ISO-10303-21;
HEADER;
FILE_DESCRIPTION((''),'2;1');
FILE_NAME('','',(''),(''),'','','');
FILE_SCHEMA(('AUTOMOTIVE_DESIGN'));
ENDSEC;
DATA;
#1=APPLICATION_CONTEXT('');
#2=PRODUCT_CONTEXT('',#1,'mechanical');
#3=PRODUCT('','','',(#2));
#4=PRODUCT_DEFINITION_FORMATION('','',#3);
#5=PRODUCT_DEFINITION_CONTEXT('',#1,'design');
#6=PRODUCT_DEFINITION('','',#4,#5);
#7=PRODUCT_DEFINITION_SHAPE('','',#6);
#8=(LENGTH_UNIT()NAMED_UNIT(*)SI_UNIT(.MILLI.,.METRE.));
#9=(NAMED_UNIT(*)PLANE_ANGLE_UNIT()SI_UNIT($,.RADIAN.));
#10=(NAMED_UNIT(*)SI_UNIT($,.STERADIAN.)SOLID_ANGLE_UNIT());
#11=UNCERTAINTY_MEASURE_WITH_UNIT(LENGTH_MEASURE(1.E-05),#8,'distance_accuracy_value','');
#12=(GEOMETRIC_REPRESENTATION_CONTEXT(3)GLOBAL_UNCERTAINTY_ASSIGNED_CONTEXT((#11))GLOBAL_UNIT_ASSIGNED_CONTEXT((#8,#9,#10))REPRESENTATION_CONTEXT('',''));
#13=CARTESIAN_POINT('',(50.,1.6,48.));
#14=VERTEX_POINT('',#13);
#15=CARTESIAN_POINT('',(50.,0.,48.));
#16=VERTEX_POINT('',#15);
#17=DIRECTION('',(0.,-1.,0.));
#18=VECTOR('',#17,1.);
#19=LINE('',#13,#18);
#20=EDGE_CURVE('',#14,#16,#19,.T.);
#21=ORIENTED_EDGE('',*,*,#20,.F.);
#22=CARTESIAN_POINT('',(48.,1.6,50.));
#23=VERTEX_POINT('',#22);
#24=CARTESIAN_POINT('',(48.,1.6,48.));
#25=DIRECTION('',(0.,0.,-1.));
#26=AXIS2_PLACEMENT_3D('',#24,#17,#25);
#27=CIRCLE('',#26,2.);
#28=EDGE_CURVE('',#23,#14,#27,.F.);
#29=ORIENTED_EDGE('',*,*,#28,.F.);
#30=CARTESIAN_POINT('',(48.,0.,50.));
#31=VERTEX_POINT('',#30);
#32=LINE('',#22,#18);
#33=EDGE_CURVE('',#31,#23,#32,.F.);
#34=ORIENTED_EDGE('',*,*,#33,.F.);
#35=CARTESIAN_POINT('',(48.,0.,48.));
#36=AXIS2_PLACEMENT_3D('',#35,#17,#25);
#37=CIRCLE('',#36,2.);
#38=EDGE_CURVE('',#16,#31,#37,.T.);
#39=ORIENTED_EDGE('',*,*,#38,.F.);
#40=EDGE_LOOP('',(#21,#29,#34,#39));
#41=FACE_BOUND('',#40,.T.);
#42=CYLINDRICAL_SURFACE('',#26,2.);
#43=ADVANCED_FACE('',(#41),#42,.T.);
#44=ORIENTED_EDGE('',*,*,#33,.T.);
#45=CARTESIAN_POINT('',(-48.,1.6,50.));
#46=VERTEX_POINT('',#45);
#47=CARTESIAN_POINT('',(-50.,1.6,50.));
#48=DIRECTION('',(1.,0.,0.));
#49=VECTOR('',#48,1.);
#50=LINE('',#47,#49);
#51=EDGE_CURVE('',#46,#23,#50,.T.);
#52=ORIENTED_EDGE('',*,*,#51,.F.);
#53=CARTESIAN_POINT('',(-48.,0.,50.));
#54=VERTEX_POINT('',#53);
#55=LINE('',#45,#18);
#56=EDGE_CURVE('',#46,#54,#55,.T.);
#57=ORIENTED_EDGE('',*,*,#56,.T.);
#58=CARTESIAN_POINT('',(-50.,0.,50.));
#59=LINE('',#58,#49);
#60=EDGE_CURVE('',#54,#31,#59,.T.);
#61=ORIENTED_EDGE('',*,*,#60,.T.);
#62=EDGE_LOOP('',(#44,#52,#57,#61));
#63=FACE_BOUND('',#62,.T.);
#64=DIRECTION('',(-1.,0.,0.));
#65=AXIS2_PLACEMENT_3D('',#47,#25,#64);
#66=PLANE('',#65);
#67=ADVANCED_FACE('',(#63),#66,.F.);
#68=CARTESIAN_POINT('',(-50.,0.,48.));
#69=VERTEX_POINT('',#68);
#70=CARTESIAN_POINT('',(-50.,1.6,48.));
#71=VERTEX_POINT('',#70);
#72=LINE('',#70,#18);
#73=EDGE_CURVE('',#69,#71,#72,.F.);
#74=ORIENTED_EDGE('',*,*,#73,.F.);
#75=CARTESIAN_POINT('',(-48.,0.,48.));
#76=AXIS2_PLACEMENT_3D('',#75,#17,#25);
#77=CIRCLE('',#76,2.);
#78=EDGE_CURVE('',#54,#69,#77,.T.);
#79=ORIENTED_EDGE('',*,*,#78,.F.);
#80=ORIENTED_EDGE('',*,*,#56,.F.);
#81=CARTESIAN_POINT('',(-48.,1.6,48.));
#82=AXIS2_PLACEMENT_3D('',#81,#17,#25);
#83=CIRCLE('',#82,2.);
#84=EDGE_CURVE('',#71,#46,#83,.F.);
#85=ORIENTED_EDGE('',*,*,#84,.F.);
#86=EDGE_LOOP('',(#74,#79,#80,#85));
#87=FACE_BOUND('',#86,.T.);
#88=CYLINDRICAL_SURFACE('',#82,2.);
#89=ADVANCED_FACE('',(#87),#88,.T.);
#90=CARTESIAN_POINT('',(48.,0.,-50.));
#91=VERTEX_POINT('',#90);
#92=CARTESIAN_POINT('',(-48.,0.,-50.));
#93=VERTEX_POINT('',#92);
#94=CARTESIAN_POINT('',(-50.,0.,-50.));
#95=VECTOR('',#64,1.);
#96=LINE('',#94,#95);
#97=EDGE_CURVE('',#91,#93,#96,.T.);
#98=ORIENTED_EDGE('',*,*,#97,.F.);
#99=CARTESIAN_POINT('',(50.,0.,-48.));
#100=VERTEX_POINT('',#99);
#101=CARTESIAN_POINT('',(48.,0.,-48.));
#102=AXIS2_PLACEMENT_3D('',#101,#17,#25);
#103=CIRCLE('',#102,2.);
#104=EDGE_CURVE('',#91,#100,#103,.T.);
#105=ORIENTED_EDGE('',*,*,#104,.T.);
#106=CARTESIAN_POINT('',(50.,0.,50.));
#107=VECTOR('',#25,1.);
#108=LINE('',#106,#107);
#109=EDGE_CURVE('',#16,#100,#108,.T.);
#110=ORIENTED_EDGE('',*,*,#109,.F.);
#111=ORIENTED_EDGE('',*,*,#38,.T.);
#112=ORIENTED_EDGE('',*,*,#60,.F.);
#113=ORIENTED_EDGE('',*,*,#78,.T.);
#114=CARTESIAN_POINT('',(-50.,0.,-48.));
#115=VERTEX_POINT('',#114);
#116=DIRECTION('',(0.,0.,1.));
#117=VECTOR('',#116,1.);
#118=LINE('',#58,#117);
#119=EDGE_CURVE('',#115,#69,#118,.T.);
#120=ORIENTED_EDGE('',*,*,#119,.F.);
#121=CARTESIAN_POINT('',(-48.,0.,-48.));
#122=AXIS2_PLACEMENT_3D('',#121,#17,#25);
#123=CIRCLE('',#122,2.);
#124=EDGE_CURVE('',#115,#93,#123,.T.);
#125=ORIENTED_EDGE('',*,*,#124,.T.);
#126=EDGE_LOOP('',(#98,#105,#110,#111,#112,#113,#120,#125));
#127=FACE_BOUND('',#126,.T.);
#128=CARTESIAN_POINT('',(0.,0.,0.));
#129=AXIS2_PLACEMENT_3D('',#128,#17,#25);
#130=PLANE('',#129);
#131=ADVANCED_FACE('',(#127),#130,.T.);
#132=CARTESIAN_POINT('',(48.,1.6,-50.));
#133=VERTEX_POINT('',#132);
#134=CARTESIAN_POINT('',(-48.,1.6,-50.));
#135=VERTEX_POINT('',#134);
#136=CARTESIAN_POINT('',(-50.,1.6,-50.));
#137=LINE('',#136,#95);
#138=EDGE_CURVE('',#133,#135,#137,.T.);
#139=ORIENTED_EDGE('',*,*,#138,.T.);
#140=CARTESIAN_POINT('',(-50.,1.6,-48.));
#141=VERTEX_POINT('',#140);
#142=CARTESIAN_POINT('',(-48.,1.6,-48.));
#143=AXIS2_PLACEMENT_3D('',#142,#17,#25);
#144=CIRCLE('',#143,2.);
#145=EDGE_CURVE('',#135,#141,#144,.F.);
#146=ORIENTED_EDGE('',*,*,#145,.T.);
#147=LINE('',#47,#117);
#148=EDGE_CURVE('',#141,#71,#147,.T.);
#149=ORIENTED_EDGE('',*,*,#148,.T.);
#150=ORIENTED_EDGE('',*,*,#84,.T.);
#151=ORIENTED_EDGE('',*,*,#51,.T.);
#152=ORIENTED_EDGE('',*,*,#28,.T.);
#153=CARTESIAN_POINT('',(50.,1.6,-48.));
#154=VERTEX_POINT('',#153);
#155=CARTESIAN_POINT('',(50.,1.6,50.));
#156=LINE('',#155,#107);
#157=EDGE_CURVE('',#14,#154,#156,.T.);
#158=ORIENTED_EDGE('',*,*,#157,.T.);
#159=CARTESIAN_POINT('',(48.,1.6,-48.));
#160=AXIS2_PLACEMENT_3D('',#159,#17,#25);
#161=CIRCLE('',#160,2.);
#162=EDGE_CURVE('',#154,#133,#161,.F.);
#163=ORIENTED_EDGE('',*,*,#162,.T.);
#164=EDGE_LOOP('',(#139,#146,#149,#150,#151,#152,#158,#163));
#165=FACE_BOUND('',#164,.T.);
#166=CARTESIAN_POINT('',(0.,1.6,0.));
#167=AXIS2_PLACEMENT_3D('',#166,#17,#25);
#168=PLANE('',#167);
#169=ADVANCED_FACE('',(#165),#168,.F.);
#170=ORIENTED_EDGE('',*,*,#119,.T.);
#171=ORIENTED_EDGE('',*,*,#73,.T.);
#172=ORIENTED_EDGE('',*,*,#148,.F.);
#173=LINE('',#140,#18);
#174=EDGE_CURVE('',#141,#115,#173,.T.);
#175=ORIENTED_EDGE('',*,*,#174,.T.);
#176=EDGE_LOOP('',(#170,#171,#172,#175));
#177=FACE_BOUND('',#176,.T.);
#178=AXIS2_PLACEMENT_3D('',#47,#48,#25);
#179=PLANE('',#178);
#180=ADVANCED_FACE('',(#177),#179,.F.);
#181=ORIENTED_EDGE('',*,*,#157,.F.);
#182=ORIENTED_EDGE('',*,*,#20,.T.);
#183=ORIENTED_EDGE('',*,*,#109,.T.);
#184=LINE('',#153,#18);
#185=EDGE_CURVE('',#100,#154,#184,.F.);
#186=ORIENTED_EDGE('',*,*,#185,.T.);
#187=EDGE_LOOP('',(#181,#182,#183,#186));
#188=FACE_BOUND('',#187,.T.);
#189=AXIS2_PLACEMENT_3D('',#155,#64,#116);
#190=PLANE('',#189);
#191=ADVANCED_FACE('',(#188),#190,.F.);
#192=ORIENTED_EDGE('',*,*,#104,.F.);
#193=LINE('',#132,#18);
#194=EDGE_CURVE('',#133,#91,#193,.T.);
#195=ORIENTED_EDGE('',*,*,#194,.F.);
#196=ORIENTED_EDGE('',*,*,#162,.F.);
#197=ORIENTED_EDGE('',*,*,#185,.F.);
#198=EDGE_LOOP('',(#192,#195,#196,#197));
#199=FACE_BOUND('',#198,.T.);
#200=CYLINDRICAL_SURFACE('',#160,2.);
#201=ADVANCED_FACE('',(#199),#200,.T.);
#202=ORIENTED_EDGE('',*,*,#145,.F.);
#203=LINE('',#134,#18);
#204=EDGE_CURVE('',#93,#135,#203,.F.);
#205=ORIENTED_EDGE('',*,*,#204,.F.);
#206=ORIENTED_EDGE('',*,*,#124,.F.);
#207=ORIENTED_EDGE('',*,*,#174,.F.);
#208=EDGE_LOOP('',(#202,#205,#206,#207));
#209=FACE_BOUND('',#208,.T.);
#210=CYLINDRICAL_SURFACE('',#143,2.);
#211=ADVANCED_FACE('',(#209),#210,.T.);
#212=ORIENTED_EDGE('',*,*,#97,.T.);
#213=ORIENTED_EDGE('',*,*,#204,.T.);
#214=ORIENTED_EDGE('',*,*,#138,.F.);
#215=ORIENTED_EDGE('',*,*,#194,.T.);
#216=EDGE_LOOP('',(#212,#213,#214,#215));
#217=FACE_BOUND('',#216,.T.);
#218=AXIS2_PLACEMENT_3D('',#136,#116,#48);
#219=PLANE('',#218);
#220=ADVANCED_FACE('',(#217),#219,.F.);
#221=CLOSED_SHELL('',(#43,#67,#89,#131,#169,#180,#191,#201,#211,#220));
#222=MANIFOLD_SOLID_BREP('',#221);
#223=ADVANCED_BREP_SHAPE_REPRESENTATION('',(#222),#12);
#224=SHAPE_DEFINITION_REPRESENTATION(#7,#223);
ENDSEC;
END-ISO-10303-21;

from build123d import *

# Parameters (mm, degrees)
SKETCH_1_W      = 100
SKETCH_1_H      = 100
EXTRUDE_1_DEPTH = 1.6
FILLET_1_R      = 2


with BuildPart() as part:
    # 草图1 → 凸台-拉伸1 (new body)
    with BuildSketch(Plane(origin=(0, 0, 0), x_dir=(1, 0, 0), z_dir=(0, 1, 0))):
        Rectangle(SKETCH_1_W, SKETCH_1_H)
    extrude(amount=EXTRUDE_1_DEPTH)

    # 圆角1
    fillet_1_edges = [part.edges().sort_by_distance(p)[0] for p in [
        (50, 0.8, 50),
        (-50, 0.8, 50),
        (-50, 0.8, -50),
        (50, 0.8, -50),
    ]]
    fillet(fillet_1_edges, radius=FILLET_1_R)


solid = part.part
